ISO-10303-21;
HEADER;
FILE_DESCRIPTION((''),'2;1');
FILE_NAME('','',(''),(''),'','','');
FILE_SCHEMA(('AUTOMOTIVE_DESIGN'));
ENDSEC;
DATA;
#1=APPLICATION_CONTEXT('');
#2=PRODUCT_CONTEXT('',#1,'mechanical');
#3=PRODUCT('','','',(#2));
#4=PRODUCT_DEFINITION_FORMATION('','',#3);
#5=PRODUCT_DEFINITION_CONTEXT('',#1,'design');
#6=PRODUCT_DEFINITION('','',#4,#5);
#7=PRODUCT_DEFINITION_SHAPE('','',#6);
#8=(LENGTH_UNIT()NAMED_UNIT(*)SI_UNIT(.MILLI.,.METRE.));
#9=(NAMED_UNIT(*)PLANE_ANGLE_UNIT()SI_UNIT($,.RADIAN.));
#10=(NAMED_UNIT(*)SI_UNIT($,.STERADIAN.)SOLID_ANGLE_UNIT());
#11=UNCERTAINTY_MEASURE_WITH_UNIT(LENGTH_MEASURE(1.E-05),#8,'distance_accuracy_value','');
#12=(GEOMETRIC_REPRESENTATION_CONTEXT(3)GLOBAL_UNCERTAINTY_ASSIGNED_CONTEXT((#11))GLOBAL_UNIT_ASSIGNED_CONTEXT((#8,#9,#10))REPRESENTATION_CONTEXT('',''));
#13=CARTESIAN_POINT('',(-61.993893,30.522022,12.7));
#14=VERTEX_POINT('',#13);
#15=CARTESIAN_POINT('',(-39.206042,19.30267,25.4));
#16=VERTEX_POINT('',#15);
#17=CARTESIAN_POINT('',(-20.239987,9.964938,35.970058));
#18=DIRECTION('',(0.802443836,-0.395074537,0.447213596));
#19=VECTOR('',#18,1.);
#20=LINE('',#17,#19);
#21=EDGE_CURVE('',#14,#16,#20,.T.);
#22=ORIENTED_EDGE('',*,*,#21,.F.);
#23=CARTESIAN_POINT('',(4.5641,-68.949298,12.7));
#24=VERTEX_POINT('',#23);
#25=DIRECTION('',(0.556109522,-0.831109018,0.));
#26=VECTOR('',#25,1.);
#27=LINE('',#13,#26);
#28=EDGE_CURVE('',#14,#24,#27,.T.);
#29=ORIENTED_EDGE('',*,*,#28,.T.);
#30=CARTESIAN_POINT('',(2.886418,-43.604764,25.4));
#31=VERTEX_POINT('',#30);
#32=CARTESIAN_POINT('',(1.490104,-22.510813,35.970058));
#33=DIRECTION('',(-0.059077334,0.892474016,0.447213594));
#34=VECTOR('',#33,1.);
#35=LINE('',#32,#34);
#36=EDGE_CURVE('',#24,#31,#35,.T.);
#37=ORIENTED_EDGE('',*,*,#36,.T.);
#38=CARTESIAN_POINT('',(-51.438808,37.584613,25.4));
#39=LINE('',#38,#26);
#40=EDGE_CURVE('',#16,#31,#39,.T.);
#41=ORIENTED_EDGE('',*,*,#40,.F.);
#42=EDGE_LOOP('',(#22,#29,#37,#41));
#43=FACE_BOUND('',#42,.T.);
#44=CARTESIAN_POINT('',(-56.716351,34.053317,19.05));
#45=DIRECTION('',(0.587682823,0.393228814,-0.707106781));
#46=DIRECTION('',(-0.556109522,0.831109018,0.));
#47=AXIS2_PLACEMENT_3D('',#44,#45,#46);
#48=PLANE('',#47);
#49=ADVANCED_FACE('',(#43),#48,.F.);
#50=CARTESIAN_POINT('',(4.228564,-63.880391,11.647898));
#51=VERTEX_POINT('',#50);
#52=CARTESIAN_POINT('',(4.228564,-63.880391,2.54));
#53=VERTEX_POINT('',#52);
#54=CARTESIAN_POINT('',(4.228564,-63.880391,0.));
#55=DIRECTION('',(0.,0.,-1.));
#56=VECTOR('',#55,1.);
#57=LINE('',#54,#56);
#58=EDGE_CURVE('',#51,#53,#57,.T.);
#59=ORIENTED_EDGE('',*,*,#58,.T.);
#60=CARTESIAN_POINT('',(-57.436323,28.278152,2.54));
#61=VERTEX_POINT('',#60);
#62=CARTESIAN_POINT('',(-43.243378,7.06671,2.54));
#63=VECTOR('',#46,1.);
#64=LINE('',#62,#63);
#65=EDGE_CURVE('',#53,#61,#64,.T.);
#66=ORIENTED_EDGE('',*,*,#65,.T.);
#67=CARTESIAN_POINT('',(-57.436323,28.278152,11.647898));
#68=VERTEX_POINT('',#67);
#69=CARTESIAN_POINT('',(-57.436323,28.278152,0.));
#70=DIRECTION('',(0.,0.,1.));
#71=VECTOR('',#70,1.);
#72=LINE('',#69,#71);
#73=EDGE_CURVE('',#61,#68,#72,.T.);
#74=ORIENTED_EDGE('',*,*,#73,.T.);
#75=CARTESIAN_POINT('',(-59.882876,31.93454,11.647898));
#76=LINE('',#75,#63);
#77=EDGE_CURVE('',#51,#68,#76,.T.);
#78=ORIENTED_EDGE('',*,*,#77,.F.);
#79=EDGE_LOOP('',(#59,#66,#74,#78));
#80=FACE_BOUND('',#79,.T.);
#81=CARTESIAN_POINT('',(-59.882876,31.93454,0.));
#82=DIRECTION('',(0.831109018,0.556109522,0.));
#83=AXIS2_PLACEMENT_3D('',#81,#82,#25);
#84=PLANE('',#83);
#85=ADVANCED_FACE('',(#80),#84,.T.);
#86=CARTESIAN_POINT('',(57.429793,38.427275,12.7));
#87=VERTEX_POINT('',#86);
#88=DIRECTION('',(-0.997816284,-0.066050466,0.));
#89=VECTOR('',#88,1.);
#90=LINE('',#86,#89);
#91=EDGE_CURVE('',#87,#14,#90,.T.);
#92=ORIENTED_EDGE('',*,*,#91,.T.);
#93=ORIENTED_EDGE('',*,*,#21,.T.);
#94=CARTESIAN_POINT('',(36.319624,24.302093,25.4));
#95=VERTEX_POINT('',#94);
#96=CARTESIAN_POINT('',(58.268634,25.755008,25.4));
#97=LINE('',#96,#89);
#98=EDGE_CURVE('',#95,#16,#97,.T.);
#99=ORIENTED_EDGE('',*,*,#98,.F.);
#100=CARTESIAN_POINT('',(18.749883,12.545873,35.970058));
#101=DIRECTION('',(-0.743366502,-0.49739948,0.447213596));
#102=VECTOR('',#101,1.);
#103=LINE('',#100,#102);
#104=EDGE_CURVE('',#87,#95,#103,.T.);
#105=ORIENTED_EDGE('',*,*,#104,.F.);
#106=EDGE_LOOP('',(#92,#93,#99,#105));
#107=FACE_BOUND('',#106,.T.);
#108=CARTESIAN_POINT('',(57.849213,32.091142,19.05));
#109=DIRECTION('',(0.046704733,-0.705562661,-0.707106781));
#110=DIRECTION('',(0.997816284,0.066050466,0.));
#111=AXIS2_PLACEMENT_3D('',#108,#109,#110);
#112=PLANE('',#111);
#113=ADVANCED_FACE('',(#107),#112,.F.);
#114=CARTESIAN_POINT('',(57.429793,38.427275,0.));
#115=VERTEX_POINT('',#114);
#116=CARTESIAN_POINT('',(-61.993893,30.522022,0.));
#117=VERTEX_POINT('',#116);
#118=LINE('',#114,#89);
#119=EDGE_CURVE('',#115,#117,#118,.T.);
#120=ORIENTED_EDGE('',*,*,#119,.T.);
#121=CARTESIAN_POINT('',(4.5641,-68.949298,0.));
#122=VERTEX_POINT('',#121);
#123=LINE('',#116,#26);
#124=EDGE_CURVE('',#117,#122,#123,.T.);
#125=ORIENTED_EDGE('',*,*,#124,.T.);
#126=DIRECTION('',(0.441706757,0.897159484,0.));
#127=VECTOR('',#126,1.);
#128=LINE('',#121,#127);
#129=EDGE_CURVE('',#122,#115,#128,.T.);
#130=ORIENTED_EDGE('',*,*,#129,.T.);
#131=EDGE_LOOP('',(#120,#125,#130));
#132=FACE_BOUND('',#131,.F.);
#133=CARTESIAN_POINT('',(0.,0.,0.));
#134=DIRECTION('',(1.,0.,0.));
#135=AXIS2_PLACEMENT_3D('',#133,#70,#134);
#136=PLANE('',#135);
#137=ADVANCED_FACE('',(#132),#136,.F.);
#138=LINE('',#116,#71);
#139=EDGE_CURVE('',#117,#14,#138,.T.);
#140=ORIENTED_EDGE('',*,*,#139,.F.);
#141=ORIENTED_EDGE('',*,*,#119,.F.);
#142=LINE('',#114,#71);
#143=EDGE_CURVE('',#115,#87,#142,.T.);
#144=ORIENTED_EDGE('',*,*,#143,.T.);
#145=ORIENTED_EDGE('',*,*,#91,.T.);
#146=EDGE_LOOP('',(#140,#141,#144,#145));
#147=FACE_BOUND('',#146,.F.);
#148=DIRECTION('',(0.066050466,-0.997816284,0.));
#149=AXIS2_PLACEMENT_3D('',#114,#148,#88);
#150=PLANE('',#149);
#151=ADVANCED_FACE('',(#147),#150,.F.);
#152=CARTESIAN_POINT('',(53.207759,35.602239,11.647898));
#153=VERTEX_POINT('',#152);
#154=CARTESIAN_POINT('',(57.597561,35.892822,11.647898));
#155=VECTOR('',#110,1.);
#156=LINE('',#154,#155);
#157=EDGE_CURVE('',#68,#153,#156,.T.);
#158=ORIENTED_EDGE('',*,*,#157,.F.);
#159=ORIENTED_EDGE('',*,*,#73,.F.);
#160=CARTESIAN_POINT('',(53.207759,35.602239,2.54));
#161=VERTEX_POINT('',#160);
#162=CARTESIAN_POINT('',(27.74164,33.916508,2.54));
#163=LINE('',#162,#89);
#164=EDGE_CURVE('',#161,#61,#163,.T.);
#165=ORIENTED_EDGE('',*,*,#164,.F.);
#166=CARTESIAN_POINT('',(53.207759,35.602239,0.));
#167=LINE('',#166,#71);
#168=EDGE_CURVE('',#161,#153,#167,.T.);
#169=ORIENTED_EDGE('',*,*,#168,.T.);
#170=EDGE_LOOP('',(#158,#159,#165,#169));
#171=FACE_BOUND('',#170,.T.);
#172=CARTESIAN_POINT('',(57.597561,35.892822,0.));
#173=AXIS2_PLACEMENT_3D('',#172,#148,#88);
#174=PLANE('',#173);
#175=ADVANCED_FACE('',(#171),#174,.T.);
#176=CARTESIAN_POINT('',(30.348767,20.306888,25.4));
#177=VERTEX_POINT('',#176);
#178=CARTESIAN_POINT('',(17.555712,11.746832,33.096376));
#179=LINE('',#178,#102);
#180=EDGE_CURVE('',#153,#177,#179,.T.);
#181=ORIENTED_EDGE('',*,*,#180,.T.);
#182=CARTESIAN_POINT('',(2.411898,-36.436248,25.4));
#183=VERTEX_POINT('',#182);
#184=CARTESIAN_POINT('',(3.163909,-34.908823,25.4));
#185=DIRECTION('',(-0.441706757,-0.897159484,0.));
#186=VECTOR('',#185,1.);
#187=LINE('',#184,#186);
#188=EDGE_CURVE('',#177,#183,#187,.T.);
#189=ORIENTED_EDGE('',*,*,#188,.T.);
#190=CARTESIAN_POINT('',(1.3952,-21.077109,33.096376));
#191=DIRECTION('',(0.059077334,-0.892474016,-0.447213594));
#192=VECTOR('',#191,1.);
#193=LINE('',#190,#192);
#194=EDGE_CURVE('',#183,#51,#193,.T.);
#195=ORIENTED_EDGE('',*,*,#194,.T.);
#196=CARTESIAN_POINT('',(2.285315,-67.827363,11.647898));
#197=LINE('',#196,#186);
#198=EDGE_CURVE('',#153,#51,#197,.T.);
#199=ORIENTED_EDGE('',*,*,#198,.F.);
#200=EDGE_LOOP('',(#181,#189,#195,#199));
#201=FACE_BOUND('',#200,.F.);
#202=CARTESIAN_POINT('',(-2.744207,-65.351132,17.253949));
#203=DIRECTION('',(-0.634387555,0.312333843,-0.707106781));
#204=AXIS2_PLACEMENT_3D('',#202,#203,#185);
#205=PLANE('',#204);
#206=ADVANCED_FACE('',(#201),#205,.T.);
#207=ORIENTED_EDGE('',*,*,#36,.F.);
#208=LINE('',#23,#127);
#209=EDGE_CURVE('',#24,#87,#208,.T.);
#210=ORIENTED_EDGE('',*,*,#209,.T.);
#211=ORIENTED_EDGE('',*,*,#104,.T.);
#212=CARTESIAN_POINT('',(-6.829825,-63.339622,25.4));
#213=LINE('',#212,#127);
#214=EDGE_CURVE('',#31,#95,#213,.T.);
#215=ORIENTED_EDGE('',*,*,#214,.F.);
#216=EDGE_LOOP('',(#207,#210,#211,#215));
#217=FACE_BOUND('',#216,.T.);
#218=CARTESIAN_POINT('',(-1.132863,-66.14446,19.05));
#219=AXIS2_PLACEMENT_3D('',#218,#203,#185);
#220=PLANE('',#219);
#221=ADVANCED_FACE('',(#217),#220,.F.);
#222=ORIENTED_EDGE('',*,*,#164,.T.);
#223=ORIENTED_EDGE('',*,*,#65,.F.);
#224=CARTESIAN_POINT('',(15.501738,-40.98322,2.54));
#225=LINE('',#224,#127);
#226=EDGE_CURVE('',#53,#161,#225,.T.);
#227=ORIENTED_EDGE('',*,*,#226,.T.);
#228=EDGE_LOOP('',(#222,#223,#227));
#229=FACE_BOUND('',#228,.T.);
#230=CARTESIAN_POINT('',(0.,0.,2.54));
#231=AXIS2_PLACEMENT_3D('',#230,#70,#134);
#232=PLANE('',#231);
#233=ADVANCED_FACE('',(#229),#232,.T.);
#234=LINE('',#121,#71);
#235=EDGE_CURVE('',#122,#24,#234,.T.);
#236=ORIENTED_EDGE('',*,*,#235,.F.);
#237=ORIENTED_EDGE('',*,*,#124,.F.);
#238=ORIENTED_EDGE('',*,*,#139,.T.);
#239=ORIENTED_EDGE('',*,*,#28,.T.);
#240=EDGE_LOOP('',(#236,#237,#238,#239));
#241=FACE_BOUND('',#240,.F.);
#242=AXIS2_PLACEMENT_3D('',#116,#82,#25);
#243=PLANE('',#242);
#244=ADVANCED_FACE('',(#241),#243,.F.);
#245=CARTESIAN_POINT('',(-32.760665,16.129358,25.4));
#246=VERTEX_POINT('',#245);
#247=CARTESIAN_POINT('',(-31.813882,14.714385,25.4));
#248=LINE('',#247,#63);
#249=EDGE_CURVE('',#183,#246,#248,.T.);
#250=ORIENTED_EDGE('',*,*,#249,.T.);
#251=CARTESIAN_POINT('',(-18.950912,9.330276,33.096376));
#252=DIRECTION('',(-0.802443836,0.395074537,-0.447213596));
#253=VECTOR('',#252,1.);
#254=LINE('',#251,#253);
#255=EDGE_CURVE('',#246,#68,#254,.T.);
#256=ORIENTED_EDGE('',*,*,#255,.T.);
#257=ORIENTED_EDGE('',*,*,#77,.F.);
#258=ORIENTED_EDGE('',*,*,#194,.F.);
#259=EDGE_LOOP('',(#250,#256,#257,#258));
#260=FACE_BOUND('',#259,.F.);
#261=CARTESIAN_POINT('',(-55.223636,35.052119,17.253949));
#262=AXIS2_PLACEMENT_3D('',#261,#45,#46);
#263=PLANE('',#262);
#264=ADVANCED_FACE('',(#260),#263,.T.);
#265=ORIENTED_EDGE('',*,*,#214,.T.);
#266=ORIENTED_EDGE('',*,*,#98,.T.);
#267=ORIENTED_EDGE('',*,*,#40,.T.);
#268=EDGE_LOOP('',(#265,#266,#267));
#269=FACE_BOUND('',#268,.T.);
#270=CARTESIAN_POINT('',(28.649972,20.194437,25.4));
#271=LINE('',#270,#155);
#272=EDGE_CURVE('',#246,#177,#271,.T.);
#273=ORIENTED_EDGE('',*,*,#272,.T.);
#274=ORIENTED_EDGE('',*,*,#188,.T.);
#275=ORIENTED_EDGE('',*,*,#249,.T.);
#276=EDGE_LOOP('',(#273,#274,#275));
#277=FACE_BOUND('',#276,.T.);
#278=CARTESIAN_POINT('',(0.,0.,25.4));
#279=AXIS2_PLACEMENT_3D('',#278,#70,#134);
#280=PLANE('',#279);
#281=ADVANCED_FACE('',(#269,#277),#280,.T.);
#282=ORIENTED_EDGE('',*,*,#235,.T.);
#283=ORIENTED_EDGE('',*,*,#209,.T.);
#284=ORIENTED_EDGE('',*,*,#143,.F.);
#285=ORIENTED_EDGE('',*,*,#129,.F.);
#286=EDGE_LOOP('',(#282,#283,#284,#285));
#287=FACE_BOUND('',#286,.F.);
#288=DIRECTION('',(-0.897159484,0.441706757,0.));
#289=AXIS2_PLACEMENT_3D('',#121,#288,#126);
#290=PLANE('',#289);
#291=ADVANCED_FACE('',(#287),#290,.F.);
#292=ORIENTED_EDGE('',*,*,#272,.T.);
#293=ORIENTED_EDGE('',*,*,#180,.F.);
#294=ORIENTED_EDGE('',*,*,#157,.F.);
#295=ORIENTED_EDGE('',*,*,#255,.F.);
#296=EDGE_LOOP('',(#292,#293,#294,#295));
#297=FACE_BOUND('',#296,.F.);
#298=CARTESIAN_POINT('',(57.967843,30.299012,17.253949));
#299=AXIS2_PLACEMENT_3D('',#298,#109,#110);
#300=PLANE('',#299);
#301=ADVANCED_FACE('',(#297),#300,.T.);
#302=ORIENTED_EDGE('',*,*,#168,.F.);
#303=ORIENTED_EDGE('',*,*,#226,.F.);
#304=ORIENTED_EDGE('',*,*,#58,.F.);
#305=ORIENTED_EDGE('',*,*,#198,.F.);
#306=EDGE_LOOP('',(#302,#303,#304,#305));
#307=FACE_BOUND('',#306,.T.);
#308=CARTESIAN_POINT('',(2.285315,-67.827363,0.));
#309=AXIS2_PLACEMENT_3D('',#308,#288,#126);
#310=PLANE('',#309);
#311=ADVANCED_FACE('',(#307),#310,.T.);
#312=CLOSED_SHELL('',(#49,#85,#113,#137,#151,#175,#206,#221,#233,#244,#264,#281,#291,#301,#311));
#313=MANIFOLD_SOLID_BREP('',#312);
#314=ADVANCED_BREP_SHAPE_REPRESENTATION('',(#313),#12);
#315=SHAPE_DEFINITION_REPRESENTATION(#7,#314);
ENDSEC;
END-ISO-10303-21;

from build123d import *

# Parameters (mm, degrees)
F1_DEPTH = 25.4
F2_SIZE  = 12.7
F3_T     = -2.54


with BuildPart() as f1:
    # F0 (on Top) → F1 (new body)
    with BuildSketch(Plane.XY):
        Polygon((4.5641, -68.949298), (57.429793, 38.427275), (-61.993893, 30.522022), align=None)
    extrude(amount=F1_DEPTH)

    # F2
    f2_edges = [f1.edges().sort_by_distance(p)[0] for p in [
        (30.996947, -15.261011, 25.4),
        (-28.714897, -19.213638, 25.4),
        (-2.28205, 34.474649, 25.4),
    ]]
    chamfer(f2_edges, length=F2_SIZE)

    # F3
    f3_openings = [f1.faces().sort_by_distance(p)[0] for p in [
        (0, 0, 25.4),
    ]]
    offset(amount=F3_T, openings=f3_openings)


solid = f1.part
